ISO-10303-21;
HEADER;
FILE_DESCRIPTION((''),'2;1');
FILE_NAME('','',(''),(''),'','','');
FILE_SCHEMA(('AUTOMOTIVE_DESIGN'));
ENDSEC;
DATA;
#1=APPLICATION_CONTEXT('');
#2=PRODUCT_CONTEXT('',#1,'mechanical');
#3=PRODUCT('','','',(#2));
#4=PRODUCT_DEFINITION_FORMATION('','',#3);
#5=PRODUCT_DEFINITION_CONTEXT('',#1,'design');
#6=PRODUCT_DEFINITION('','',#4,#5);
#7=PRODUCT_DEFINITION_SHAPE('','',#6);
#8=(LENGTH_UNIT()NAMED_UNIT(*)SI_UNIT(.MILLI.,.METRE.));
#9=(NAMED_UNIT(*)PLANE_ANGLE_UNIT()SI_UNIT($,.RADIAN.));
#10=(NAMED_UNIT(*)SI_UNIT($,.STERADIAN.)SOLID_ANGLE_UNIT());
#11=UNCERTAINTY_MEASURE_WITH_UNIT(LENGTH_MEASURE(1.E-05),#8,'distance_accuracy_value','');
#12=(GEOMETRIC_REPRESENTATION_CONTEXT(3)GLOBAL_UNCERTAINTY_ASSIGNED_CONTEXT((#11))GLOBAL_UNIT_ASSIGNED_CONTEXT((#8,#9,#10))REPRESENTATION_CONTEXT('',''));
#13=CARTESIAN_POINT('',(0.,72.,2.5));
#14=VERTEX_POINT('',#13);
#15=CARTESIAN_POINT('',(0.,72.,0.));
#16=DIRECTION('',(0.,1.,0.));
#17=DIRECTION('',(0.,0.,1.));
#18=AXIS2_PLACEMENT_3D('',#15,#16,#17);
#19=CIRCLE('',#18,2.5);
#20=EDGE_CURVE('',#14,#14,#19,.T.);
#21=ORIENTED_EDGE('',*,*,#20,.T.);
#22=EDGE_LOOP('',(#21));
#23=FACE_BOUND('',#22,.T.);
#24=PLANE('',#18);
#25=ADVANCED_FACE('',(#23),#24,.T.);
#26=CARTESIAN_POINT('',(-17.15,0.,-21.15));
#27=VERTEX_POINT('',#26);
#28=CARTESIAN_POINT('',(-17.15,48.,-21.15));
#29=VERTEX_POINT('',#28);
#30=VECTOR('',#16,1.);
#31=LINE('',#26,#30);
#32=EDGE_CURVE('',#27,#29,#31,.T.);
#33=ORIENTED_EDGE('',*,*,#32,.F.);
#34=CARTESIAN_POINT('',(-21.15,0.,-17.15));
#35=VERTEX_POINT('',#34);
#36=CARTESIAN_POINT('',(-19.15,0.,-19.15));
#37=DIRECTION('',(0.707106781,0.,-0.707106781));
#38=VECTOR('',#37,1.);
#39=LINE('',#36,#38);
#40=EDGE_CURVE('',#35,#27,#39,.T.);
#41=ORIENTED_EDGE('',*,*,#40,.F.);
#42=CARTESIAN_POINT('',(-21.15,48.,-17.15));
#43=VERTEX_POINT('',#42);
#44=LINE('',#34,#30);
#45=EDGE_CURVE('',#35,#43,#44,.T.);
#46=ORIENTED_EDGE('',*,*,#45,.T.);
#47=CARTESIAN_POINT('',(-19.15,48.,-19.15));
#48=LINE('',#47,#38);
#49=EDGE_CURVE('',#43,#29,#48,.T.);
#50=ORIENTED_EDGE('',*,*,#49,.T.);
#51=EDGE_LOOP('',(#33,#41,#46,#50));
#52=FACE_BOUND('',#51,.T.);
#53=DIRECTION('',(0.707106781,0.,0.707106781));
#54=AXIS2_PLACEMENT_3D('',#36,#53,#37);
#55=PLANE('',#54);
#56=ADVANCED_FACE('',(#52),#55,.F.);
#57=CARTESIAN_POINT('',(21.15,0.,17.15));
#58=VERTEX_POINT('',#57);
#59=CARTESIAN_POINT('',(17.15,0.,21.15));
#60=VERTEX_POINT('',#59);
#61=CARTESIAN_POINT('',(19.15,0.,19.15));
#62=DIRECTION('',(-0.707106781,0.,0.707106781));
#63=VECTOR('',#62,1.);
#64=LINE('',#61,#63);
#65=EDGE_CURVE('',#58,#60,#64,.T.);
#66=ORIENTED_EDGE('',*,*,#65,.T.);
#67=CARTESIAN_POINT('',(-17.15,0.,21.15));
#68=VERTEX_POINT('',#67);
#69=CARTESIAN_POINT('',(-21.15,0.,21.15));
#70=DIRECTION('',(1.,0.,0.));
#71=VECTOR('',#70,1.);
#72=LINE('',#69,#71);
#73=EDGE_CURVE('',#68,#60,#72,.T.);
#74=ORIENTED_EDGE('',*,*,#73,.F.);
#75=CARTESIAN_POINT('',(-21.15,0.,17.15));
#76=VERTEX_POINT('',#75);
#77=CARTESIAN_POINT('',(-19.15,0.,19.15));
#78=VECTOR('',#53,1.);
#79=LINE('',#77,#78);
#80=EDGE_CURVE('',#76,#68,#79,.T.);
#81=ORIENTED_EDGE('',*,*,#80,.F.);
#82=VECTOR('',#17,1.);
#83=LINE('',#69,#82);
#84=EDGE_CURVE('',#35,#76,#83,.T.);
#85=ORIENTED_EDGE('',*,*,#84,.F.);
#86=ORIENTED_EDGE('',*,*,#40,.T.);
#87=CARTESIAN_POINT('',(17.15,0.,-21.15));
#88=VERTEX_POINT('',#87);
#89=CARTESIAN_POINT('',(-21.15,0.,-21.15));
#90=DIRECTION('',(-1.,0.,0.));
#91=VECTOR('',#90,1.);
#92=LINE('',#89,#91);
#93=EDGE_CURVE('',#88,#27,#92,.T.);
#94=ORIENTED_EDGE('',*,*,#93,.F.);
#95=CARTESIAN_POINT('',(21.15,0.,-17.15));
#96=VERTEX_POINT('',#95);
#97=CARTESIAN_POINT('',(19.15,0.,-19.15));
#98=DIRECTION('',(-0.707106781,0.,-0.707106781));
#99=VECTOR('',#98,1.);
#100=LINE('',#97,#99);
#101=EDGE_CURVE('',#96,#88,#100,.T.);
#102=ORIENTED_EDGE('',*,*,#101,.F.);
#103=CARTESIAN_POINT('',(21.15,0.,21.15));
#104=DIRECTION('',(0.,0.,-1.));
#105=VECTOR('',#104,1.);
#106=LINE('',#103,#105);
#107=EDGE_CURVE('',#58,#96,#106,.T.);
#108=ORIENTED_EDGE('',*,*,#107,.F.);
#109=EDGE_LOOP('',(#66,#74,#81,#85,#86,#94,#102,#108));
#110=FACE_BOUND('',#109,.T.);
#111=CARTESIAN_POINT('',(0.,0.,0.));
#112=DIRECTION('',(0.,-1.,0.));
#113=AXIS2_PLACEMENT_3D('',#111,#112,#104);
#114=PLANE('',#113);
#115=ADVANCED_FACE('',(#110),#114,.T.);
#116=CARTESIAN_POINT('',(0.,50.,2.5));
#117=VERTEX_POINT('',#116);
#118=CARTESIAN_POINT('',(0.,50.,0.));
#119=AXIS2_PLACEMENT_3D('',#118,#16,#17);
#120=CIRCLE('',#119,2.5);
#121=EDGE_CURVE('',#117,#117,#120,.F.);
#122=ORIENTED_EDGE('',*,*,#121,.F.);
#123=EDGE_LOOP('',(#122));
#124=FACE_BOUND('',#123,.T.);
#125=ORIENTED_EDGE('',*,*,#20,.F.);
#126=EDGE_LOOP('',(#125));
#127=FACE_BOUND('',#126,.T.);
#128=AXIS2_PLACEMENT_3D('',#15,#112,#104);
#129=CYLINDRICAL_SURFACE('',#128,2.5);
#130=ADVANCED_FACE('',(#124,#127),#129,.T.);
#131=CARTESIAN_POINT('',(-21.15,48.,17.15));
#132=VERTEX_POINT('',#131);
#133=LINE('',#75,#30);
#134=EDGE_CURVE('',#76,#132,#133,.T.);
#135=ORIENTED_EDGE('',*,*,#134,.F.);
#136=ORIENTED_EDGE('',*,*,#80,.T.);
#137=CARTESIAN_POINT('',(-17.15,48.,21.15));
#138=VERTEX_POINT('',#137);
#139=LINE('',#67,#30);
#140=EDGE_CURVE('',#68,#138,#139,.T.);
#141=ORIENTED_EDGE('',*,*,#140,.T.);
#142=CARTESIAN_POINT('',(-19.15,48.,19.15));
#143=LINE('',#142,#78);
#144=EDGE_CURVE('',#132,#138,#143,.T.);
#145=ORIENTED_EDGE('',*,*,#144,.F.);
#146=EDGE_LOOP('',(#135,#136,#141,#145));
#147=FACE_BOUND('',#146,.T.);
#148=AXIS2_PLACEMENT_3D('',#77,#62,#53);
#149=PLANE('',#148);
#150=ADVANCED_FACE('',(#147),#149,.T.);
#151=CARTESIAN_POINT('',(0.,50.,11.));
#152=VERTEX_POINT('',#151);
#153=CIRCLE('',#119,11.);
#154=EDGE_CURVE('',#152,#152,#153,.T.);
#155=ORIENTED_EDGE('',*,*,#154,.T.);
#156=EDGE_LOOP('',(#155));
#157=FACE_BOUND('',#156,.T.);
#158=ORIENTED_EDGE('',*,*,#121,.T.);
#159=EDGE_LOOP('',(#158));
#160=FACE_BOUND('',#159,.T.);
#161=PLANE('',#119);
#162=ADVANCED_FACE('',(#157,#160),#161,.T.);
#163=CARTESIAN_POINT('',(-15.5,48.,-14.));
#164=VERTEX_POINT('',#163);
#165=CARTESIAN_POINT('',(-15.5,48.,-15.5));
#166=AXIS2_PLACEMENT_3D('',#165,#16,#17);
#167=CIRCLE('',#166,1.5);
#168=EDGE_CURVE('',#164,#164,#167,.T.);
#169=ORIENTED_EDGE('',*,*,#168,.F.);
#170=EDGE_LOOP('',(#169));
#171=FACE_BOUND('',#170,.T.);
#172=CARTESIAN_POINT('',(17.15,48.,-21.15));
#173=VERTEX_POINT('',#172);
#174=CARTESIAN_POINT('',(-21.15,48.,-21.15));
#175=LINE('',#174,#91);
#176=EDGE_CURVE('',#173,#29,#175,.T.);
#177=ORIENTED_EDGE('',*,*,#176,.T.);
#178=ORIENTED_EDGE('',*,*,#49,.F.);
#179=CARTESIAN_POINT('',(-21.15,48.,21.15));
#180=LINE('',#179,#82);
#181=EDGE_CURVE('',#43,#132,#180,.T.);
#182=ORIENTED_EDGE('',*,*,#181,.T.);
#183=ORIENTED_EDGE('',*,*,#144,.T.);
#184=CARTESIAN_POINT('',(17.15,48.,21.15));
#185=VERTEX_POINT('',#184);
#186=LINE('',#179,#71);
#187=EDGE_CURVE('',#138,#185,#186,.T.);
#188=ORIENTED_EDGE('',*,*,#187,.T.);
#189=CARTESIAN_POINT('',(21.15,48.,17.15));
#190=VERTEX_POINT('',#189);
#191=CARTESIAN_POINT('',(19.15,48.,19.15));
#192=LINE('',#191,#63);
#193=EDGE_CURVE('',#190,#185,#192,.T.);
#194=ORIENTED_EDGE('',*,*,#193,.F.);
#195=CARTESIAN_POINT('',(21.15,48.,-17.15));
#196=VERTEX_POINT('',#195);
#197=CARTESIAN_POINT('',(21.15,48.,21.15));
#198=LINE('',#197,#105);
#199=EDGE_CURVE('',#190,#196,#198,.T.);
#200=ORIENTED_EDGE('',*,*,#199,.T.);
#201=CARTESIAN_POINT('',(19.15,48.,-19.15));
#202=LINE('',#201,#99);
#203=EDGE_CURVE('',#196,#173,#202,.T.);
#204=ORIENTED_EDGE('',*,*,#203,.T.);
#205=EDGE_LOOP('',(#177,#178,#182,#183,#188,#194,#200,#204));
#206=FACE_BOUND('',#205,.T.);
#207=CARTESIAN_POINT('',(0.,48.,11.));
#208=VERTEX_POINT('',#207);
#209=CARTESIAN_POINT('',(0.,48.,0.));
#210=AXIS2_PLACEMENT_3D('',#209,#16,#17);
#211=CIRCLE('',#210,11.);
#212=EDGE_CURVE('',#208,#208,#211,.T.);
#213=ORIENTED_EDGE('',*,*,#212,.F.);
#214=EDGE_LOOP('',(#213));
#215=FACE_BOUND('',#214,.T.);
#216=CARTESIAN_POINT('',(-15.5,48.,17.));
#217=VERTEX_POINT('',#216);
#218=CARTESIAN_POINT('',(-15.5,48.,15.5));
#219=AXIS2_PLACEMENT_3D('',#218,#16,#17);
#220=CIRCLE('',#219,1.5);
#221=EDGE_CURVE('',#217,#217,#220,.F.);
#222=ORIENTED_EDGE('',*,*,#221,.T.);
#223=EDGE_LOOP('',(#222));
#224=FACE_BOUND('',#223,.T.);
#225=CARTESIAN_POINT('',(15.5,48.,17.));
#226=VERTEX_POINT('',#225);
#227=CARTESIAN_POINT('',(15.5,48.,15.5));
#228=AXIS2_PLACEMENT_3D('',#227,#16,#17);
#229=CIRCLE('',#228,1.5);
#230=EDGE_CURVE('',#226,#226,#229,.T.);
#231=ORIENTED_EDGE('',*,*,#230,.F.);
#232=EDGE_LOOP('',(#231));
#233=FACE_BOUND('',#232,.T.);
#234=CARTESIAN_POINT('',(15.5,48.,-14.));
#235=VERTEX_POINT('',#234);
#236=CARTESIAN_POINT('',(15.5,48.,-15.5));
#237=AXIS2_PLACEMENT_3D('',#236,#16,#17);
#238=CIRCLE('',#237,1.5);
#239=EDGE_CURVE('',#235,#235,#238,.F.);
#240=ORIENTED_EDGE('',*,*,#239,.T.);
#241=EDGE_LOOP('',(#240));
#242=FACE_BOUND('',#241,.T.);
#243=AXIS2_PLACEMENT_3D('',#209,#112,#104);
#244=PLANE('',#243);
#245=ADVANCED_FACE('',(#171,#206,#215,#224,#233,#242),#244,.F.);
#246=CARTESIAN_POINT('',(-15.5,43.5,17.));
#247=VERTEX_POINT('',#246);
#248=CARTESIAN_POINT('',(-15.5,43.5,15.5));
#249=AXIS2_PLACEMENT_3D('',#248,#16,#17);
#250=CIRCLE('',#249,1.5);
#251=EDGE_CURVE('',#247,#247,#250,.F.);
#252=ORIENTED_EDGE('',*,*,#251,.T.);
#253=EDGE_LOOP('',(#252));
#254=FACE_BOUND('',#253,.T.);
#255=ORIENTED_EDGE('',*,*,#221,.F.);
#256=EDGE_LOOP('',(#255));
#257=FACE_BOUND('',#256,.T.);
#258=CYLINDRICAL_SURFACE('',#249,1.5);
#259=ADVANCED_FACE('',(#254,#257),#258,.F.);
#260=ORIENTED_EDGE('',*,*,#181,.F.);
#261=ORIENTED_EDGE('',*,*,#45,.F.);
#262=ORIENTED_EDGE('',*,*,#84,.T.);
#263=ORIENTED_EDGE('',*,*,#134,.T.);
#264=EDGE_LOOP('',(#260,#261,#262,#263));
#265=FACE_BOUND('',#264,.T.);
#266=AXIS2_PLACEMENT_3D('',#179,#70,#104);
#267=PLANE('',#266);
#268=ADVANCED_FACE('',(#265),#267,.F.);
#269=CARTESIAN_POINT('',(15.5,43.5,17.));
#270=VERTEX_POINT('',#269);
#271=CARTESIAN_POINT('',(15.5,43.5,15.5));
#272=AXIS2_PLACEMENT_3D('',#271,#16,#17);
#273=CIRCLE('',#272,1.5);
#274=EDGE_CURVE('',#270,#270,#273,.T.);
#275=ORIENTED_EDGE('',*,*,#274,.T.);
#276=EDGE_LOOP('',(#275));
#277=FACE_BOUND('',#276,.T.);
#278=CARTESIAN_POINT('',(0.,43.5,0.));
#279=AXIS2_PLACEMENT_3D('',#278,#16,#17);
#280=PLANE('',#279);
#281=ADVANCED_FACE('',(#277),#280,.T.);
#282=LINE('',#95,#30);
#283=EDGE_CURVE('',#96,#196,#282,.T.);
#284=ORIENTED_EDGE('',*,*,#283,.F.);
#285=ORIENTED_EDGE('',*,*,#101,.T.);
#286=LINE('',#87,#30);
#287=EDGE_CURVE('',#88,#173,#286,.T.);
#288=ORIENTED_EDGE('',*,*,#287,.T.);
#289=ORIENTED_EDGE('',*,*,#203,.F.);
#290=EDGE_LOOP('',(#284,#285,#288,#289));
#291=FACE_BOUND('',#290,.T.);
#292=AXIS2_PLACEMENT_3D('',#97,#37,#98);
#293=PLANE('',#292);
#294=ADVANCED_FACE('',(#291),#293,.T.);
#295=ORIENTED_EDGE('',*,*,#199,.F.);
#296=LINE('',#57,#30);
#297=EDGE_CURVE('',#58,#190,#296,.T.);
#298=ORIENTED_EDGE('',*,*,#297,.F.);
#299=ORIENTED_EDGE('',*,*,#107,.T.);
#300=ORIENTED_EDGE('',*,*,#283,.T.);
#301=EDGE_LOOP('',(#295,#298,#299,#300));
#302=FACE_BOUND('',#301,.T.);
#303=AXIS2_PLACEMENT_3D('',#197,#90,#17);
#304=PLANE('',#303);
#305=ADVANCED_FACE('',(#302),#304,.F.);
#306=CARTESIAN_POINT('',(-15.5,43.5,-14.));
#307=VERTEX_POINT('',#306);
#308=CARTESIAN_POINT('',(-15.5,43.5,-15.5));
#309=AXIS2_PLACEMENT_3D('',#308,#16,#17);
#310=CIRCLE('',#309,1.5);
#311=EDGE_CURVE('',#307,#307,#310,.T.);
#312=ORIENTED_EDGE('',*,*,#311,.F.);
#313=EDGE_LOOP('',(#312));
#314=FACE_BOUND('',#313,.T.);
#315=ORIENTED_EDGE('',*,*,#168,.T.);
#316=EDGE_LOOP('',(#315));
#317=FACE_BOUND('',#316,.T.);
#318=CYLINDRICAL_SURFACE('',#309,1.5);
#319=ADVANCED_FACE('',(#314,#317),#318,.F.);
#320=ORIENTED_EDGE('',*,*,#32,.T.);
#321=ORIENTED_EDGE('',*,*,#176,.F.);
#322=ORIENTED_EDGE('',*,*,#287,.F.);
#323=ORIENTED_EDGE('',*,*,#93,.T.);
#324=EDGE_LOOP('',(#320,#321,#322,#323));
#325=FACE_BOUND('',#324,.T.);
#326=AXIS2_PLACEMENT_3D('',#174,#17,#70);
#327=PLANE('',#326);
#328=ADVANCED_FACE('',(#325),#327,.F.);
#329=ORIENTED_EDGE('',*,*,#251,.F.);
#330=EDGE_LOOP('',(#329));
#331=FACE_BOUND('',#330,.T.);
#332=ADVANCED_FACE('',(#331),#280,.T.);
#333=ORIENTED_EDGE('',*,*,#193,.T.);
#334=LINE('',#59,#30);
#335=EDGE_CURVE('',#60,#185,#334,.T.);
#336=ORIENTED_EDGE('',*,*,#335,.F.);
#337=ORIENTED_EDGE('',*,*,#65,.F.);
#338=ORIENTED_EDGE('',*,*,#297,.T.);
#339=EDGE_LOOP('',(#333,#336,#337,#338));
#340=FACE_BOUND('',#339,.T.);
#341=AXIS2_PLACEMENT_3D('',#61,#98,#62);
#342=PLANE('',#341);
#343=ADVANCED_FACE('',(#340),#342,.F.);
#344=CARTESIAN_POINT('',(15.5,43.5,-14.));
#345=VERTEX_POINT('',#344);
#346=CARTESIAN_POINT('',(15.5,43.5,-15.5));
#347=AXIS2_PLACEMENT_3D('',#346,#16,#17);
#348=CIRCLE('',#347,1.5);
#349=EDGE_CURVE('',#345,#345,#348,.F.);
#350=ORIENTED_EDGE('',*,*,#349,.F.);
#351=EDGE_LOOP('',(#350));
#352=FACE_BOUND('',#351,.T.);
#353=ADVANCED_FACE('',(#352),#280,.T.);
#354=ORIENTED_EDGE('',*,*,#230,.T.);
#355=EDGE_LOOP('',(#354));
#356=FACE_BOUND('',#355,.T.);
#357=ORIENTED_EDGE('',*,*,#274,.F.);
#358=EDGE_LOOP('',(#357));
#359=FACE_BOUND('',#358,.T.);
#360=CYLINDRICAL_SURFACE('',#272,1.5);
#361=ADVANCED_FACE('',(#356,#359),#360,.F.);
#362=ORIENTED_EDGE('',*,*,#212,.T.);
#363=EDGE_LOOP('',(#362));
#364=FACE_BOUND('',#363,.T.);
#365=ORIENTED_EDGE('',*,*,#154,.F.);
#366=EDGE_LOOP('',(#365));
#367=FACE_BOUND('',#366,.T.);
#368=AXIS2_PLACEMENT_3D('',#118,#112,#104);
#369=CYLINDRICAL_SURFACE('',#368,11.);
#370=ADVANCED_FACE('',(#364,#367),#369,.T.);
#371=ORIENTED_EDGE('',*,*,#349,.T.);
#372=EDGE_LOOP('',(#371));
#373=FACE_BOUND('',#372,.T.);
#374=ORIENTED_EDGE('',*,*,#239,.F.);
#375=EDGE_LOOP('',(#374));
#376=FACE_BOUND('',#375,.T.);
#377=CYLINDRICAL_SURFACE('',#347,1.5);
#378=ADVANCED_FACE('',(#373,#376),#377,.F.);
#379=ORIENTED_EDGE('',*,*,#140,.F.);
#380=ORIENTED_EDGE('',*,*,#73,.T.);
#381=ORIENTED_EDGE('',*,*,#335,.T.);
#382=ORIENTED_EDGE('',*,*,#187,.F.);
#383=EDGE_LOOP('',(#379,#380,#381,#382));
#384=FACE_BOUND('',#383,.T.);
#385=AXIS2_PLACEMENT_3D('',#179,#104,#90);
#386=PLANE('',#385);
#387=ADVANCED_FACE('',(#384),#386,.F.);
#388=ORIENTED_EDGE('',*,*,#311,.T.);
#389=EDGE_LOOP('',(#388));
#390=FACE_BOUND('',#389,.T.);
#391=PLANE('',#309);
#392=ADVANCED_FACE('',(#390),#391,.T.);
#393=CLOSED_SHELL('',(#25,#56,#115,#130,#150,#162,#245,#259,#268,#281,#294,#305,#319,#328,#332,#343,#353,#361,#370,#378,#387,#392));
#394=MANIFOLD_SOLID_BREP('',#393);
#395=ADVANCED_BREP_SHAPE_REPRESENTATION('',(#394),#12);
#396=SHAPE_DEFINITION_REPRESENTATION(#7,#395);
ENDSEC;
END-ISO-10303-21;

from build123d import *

# Parameters (mm, degrees)
SKETCH1_W           = 42.3
SKETCH1_H           = 42.3
BOSS_EXTRUDE1_DEPTH = 48
CUT_EXTRUDE1_DEPTH  = 57.556564606
SKETCH2_3_R         = 1.5
CUT_EXTRUDE2_DEPTH  = 4.5
SKETCH2_4_R         = 11
BOSS_EXTRUDE2_DEPTH = 2
SKETCH2_5_R         = 2.5
BOSS_EXTRUDE3_DEPTH = 24


with BuildPart() as part:
    # Sketch1 → Boss-Extrude1 (new body)
    with BuildSketch(Plane(origin=(0, 0, 0), x_dir=(1, 0, 0), z_dir=(0, 1, 0))):
        Rectangle(SKETCH1_W, SKETCH1_H)
    extrude(amount=BOSS_EXTRUDE1_DEPTH)

    # Sketch2 → Cut-Extrude1 (cut, through all)
    with BuildSketch(Plane(origin=(0, 48, 0), x_dir=(1, 0, 0), z_dir=(0, 1, 0))):
        Polygon((-21.15, 21.15), (-21.15, 17.15), (-17.15, 21.15), align=None)
        Polygon((-17.15, -21.15), (-21.15, -17.15), (-21.15, -21.15), align=None)
        Polygon((21.15, 21.15), (17.15, 21.15), (21.15, 17.15), align=None)
        Polygon((21.15, -17.15), (17.15, -21.15), (21.15, -21.15), align=None)
    extrude(amount=-CUT_EXTRUDE1_DEPTH, mode=Mode.SUBTRACT)

    # Sketch2<3> → Cut-Extrude2 (cut)
    with BuildSketch(Plane(origin=(0, 48, 0), x_dir=(1, 0, 0), z_dir=(0, 1, 0))):
        with Locations((-15.5, 15.5)):
            Circle(SKETCH2_3_R)
        with Locations((15.5, 15.5)):
            Circle(SKETCH2_3_R)
        with Locations((15.5, -15.5)):
            Circle(SKETCH2_3_R)
        with Locations((-15.5, -15.5)):
            Circle(SKETCH2_3_R)
    extrude(amount=-CUT_EXTRUDE2_DEPTH, mode=Mode.SUBTRACT)

    # Sketch2<4> → Boss-Extrude2 (add)
    with BuildSketch(Plane(origin=(0, 48, 0), x_dir=(1, 0, 0), z_dir=(0, 1, 0))):
        Circle(SKETCH2_4_R)
    extrude(amount=BOSS_EXTRUDE2_DEPTH)

    # Sketch2<5> → Boss-Extrude3 (add)
    with BuildSketch(Plane(origin=(0, 48, 0), x_dir=(1, 0, 0), z_dir=(0, 1, 0))):
        Circle(SKETCH2_5_R)
    extrude(amount=BOSS_EXTRUDE3_DEPTH)


solid = part.part
